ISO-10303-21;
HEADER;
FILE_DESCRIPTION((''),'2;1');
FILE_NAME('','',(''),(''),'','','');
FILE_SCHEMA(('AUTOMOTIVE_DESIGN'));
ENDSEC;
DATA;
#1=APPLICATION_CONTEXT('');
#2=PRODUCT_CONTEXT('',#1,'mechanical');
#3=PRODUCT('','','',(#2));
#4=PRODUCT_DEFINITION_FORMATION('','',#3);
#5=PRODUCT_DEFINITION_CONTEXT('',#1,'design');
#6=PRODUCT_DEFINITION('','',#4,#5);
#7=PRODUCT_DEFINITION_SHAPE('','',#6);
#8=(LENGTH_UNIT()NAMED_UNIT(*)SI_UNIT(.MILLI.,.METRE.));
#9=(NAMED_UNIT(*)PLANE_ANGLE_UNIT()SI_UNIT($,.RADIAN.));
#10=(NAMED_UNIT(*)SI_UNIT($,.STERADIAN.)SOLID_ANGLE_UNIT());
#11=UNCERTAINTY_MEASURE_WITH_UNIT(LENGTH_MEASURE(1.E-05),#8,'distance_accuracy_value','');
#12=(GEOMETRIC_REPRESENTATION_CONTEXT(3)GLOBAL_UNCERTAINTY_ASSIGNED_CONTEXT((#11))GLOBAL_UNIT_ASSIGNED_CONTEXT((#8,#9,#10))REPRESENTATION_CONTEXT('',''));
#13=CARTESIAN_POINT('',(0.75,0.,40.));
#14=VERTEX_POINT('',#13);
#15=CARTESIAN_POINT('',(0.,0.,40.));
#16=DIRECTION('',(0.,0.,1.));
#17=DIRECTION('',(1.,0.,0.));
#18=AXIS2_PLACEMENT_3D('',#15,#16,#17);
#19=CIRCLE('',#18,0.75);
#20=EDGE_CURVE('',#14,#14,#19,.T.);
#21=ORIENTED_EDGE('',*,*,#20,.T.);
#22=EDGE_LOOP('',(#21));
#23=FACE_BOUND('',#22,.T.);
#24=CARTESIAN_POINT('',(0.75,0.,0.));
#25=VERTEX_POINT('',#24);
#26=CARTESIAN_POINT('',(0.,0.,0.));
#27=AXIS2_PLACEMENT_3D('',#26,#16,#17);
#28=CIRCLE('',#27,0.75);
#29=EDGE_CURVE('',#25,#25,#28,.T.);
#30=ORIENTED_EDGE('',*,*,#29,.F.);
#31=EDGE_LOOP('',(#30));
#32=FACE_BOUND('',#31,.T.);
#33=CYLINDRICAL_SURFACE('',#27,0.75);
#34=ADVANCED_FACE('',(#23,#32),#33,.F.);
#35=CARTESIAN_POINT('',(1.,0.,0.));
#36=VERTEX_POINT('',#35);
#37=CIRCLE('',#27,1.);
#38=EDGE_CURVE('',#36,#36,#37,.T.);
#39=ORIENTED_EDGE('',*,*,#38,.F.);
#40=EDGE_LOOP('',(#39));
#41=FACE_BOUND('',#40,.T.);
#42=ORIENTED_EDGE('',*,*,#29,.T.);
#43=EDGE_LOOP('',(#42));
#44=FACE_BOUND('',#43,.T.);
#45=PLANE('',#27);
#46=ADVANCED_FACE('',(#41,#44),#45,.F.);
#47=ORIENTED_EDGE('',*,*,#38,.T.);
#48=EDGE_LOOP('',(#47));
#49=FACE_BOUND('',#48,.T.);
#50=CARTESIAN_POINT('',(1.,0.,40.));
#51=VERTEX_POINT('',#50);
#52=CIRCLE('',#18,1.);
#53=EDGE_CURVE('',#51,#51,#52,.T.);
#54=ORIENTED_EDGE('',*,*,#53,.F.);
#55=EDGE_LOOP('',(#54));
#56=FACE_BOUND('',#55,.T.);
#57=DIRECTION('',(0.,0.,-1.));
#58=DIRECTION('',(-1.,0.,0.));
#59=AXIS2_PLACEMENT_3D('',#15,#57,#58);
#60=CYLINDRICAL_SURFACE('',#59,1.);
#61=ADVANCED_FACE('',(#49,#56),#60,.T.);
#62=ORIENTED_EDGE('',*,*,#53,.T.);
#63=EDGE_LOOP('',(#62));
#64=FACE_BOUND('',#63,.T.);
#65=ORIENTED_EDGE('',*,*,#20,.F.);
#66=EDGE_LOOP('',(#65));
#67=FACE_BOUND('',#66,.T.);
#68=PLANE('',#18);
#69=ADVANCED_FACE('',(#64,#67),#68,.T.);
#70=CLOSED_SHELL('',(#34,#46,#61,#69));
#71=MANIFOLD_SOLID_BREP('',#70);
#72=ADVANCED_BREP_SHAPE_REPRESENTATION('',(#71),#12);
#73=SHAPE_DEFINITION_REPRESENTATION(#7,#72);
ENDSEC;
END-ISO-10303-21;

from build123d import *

# Parameters (mm, degrees)
SKETCH1_R           = 1
BOSS_EXTRUDE1_DEPTH = 40
SKETCH2_R           = 0.75
CUT_EXTRUDE1_DEPTH  = 40


with BuildPart() as part:
    # Sketch1 → Boss-Extrude1 (new body)
    with BuildSketch(Plane.XY):
        Circle(SKETCH1_R)
    extrude(amount=BOSS_EXTRUDE1_DEPTH)

    # Sketch2 → Cut-Extrude1 (cut)
    with BuildSketch(Plane.XY.offset(40)):
        Circle(SKETCH2_R)
    extrude(amount=-CUT_EXTRUDE1_DEPTH, mode=Mode.SUBTRACT)


solid = part.part
